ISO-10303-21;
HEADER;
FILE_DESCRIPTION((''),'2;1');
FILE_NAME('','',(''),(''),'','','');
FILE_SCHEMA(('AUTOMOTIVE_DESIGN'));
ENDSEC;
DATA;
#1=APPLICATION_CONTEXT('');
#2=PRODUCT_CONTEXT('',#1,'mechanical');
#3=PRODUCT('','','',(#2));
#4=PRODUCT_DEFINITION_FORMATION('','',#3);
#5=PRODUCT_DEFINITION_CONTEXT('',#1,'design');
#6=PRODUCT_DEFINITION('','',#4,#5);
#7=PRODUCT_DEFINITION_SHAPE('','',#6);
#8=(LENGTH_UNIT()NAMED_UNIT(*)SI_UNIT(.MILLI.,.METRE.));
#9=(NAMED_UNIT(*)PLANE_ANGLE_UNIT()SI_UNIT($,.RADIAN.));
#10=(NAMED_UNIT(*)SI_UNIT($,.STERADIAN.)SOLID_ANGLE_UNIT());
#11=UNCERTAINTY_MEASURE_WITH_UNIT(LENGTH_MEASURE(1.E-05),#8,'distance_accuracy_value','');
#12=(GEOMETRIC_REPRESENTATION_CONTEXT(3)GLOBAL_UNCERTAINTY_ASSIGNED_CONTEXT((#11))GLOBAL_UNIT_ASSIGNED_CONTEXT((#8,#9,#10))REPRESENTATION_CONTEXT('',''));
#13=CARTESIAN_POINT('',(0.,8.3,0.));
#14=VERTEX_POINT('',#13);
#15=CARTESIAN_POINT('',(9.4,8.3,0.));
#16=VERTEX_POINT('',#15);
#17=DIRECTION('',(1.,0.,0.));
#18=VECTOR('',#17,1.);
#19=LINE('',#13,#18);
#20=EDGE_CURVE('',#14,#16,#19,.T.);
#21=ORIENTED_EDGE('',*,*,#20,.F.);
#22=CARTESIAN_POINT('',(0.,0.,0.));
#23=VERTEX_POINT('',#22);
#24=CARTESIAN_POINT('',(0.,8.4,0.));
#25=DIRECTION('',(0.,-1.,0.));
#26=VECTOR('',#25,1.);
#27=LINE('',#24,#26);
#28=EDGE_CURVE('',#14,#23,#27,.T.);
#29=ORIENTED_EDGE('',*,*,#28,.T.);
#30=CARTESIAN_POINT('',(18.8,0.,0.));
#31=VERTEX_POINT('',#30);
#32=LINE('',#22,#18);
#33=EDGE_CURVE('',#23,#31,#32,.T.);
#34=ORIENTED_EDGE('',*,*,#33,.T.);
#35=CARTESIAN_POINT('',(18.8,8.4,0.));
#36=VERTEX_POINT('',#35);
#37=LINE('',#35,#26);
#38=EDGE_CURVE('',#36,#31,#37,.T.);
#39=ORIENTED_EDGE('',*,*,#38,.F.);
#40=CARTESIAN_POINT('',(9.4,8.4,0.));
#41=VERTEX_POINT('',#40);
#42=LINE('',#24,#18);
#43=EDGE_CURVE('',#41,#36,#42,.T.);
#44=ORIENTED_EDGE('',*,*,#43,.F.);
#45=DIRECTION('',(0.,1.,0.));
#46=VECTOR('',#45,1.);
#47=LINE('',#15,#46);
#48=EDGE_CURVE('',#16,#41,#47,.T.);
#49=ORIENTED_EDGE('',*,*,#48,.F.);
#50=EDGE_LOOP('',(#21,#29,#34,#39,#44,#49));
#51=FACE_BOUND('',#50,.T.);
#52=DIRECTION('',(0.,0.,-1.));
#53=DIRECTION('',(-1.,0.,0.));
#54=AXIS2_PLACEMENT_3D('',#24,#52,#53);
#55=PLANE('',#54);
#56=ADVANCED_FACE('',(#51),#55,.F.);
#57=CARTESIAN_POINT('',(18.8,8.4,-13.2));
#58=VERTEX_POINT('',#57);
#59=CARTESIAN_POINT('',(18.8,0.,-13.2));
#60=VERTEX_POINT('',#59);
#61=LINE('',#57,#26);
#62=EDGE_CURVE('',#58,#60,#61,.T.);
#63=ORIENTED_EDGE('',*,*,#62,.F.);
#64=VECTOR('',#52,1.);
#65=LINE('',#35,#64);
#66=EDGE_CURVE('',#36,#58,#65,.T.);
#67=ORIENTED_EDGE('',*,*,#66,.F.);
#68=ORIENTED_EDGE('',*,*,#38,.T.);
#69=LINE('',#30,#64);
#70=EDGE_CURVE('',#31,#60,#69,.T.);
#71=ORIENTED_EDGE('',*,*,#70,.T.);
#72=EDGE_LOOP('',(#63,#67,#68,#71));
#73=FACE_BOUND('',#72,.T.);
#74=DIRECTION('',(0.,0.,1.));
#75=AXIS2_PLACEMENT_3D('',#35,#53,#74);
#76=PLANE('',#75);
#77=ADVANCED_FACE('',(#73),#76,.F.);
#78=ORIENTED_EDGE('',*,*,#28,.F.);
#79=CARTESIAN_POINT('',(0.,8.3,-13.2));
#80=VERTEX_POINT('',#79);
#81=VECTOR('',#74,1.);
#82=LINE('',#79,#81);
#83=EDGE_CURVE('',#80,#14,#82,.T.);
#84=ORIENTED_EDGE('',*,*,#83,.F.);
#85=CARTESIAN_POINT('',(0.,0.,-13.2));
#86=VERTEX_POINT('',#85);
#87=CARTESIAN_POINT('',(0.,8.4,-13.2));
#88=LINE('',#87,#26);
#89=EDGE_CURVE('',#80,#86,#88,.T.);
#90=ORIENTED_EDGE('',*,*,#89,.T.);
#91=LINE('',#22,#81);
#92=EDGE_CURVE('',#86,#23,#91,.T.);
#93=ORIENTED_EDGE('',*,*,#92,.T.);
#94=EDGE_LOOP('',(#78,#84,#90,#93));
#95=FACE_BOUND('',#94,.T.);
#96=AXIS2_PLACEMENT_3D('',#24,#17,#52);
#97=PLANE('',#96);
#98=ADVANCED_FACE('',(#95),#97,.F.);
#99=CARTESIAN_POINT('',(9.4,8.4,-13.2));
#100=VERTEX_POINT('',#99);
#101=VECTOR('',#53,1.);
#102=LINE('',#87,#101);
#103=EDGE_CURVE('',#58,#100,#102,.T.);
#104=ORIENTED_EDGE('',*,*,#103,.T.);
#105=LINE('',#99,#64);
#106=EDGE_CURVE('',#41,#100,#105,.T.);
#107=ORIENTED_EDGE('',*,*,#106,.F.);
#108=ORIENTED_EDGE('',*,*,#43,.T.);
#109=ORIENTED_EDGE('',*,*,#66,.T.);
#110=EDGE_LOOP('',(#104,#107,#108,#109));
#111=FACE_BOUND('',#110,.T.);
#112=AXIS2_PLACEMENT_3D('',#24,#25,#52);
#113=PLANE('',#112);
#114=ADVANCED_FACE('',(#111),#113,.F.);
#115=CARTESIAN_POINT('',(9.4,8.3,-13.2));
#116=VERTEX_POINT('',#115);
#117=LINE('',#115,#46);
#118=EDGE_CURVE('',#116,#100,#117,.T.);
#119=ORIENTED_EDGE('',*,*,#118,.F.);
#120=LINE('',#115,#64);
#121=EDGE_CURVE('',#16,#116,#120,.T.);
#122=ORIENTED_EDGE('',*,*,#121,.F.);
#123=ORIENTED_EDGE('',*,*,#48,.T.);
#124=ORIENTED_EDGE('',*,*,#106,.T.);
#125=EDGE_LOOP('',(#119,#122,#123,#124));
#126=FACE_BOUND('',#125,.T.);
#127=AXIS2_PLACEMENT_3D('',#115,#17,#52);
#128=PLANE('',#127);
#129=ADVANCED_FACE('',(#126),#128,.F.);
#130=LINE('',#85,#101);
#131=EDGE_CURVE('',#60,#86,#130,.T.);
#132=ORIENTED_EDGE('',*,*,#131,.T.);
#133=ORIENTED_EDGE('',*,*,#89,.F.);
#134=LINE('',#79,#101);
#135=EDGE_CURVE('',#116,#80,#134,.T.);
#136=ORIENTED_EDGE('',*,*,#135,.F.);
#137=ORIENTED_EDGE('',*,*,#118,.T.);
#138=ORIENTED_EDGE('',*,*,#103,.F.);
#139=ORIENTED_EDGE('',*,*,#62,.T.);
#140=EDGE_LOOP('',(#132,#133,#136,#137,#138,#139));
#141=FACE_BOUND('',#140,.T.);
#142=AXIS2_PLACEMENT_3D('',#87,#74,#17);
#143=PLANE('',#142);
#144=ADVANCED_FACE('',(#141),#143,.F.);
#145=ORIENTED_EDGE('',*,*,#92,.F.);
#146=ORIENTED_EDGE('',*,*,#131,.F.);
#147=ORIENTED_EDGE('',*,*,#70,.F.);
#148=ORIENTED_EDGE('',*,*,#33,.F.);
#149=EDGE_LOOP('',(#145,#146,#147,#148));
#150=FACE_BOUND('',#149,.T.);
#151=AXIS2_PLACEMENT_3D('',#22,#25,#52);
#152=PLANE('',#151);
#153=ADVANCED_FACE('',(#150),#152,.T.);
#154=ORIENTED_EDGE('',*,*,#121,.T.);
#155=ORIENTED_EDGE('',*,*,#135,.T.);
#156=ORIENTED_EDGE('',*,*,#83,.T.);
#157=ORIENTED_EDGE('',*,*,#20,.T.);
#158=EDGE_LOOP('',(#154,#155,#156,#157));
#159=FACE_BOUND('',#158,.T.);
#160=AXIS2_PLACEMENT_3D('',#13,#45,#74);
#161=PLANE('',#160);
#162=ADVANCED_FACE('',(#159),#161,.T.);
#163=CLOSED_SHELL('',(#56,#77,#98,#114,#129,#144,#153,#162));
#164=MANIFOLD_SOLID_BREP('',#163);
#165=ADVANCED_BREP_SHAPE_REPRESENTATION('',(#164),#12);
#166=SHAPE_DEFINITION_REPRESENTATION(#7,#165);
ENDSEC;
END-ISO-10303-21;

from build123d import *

# Parameters (mm, degrees)
SKETCH1_W           = 18.8
SKETCH1_H           = 13.2
BOSS_EXTRUDE1_DEPTH = 8.4
SKETCH2_W           = 9.4
SKETCH2_H           = 13.2
CUT_EXTRUDE1_DEPTH  = 0.1


with BuildPart() as part:
    # Sketch1 → Boss-Extrude1 (new body)
    with BuildSketch(Plane(origin=(0, 0, 0), x_dir=(1, 0, 0), z_dir=(0, 1, 0))):
        with Locations((9.4, 6.6)):
            Rectangle(SKETCH1_W, SKETCH1_H)
    extrude(amount=BOSS_EXTRUDE1_DEPTH)

    # Sketch2 → Cut-Extrude1 (cut)
    with BuildSketch(Plane(origin=(0, 8.4, 0), x_dir=(1, 0, 0), z_dir=(0, 1, 0))):
        with Locations((4.7, 6.6)):
            Rectangle(SKETCH2_W, SKETCH2_H)
    extrude(amount=-CUT_EXTRUDE1_DEPTH, mode=Mode.SUBTRACT)


solid = part.part
